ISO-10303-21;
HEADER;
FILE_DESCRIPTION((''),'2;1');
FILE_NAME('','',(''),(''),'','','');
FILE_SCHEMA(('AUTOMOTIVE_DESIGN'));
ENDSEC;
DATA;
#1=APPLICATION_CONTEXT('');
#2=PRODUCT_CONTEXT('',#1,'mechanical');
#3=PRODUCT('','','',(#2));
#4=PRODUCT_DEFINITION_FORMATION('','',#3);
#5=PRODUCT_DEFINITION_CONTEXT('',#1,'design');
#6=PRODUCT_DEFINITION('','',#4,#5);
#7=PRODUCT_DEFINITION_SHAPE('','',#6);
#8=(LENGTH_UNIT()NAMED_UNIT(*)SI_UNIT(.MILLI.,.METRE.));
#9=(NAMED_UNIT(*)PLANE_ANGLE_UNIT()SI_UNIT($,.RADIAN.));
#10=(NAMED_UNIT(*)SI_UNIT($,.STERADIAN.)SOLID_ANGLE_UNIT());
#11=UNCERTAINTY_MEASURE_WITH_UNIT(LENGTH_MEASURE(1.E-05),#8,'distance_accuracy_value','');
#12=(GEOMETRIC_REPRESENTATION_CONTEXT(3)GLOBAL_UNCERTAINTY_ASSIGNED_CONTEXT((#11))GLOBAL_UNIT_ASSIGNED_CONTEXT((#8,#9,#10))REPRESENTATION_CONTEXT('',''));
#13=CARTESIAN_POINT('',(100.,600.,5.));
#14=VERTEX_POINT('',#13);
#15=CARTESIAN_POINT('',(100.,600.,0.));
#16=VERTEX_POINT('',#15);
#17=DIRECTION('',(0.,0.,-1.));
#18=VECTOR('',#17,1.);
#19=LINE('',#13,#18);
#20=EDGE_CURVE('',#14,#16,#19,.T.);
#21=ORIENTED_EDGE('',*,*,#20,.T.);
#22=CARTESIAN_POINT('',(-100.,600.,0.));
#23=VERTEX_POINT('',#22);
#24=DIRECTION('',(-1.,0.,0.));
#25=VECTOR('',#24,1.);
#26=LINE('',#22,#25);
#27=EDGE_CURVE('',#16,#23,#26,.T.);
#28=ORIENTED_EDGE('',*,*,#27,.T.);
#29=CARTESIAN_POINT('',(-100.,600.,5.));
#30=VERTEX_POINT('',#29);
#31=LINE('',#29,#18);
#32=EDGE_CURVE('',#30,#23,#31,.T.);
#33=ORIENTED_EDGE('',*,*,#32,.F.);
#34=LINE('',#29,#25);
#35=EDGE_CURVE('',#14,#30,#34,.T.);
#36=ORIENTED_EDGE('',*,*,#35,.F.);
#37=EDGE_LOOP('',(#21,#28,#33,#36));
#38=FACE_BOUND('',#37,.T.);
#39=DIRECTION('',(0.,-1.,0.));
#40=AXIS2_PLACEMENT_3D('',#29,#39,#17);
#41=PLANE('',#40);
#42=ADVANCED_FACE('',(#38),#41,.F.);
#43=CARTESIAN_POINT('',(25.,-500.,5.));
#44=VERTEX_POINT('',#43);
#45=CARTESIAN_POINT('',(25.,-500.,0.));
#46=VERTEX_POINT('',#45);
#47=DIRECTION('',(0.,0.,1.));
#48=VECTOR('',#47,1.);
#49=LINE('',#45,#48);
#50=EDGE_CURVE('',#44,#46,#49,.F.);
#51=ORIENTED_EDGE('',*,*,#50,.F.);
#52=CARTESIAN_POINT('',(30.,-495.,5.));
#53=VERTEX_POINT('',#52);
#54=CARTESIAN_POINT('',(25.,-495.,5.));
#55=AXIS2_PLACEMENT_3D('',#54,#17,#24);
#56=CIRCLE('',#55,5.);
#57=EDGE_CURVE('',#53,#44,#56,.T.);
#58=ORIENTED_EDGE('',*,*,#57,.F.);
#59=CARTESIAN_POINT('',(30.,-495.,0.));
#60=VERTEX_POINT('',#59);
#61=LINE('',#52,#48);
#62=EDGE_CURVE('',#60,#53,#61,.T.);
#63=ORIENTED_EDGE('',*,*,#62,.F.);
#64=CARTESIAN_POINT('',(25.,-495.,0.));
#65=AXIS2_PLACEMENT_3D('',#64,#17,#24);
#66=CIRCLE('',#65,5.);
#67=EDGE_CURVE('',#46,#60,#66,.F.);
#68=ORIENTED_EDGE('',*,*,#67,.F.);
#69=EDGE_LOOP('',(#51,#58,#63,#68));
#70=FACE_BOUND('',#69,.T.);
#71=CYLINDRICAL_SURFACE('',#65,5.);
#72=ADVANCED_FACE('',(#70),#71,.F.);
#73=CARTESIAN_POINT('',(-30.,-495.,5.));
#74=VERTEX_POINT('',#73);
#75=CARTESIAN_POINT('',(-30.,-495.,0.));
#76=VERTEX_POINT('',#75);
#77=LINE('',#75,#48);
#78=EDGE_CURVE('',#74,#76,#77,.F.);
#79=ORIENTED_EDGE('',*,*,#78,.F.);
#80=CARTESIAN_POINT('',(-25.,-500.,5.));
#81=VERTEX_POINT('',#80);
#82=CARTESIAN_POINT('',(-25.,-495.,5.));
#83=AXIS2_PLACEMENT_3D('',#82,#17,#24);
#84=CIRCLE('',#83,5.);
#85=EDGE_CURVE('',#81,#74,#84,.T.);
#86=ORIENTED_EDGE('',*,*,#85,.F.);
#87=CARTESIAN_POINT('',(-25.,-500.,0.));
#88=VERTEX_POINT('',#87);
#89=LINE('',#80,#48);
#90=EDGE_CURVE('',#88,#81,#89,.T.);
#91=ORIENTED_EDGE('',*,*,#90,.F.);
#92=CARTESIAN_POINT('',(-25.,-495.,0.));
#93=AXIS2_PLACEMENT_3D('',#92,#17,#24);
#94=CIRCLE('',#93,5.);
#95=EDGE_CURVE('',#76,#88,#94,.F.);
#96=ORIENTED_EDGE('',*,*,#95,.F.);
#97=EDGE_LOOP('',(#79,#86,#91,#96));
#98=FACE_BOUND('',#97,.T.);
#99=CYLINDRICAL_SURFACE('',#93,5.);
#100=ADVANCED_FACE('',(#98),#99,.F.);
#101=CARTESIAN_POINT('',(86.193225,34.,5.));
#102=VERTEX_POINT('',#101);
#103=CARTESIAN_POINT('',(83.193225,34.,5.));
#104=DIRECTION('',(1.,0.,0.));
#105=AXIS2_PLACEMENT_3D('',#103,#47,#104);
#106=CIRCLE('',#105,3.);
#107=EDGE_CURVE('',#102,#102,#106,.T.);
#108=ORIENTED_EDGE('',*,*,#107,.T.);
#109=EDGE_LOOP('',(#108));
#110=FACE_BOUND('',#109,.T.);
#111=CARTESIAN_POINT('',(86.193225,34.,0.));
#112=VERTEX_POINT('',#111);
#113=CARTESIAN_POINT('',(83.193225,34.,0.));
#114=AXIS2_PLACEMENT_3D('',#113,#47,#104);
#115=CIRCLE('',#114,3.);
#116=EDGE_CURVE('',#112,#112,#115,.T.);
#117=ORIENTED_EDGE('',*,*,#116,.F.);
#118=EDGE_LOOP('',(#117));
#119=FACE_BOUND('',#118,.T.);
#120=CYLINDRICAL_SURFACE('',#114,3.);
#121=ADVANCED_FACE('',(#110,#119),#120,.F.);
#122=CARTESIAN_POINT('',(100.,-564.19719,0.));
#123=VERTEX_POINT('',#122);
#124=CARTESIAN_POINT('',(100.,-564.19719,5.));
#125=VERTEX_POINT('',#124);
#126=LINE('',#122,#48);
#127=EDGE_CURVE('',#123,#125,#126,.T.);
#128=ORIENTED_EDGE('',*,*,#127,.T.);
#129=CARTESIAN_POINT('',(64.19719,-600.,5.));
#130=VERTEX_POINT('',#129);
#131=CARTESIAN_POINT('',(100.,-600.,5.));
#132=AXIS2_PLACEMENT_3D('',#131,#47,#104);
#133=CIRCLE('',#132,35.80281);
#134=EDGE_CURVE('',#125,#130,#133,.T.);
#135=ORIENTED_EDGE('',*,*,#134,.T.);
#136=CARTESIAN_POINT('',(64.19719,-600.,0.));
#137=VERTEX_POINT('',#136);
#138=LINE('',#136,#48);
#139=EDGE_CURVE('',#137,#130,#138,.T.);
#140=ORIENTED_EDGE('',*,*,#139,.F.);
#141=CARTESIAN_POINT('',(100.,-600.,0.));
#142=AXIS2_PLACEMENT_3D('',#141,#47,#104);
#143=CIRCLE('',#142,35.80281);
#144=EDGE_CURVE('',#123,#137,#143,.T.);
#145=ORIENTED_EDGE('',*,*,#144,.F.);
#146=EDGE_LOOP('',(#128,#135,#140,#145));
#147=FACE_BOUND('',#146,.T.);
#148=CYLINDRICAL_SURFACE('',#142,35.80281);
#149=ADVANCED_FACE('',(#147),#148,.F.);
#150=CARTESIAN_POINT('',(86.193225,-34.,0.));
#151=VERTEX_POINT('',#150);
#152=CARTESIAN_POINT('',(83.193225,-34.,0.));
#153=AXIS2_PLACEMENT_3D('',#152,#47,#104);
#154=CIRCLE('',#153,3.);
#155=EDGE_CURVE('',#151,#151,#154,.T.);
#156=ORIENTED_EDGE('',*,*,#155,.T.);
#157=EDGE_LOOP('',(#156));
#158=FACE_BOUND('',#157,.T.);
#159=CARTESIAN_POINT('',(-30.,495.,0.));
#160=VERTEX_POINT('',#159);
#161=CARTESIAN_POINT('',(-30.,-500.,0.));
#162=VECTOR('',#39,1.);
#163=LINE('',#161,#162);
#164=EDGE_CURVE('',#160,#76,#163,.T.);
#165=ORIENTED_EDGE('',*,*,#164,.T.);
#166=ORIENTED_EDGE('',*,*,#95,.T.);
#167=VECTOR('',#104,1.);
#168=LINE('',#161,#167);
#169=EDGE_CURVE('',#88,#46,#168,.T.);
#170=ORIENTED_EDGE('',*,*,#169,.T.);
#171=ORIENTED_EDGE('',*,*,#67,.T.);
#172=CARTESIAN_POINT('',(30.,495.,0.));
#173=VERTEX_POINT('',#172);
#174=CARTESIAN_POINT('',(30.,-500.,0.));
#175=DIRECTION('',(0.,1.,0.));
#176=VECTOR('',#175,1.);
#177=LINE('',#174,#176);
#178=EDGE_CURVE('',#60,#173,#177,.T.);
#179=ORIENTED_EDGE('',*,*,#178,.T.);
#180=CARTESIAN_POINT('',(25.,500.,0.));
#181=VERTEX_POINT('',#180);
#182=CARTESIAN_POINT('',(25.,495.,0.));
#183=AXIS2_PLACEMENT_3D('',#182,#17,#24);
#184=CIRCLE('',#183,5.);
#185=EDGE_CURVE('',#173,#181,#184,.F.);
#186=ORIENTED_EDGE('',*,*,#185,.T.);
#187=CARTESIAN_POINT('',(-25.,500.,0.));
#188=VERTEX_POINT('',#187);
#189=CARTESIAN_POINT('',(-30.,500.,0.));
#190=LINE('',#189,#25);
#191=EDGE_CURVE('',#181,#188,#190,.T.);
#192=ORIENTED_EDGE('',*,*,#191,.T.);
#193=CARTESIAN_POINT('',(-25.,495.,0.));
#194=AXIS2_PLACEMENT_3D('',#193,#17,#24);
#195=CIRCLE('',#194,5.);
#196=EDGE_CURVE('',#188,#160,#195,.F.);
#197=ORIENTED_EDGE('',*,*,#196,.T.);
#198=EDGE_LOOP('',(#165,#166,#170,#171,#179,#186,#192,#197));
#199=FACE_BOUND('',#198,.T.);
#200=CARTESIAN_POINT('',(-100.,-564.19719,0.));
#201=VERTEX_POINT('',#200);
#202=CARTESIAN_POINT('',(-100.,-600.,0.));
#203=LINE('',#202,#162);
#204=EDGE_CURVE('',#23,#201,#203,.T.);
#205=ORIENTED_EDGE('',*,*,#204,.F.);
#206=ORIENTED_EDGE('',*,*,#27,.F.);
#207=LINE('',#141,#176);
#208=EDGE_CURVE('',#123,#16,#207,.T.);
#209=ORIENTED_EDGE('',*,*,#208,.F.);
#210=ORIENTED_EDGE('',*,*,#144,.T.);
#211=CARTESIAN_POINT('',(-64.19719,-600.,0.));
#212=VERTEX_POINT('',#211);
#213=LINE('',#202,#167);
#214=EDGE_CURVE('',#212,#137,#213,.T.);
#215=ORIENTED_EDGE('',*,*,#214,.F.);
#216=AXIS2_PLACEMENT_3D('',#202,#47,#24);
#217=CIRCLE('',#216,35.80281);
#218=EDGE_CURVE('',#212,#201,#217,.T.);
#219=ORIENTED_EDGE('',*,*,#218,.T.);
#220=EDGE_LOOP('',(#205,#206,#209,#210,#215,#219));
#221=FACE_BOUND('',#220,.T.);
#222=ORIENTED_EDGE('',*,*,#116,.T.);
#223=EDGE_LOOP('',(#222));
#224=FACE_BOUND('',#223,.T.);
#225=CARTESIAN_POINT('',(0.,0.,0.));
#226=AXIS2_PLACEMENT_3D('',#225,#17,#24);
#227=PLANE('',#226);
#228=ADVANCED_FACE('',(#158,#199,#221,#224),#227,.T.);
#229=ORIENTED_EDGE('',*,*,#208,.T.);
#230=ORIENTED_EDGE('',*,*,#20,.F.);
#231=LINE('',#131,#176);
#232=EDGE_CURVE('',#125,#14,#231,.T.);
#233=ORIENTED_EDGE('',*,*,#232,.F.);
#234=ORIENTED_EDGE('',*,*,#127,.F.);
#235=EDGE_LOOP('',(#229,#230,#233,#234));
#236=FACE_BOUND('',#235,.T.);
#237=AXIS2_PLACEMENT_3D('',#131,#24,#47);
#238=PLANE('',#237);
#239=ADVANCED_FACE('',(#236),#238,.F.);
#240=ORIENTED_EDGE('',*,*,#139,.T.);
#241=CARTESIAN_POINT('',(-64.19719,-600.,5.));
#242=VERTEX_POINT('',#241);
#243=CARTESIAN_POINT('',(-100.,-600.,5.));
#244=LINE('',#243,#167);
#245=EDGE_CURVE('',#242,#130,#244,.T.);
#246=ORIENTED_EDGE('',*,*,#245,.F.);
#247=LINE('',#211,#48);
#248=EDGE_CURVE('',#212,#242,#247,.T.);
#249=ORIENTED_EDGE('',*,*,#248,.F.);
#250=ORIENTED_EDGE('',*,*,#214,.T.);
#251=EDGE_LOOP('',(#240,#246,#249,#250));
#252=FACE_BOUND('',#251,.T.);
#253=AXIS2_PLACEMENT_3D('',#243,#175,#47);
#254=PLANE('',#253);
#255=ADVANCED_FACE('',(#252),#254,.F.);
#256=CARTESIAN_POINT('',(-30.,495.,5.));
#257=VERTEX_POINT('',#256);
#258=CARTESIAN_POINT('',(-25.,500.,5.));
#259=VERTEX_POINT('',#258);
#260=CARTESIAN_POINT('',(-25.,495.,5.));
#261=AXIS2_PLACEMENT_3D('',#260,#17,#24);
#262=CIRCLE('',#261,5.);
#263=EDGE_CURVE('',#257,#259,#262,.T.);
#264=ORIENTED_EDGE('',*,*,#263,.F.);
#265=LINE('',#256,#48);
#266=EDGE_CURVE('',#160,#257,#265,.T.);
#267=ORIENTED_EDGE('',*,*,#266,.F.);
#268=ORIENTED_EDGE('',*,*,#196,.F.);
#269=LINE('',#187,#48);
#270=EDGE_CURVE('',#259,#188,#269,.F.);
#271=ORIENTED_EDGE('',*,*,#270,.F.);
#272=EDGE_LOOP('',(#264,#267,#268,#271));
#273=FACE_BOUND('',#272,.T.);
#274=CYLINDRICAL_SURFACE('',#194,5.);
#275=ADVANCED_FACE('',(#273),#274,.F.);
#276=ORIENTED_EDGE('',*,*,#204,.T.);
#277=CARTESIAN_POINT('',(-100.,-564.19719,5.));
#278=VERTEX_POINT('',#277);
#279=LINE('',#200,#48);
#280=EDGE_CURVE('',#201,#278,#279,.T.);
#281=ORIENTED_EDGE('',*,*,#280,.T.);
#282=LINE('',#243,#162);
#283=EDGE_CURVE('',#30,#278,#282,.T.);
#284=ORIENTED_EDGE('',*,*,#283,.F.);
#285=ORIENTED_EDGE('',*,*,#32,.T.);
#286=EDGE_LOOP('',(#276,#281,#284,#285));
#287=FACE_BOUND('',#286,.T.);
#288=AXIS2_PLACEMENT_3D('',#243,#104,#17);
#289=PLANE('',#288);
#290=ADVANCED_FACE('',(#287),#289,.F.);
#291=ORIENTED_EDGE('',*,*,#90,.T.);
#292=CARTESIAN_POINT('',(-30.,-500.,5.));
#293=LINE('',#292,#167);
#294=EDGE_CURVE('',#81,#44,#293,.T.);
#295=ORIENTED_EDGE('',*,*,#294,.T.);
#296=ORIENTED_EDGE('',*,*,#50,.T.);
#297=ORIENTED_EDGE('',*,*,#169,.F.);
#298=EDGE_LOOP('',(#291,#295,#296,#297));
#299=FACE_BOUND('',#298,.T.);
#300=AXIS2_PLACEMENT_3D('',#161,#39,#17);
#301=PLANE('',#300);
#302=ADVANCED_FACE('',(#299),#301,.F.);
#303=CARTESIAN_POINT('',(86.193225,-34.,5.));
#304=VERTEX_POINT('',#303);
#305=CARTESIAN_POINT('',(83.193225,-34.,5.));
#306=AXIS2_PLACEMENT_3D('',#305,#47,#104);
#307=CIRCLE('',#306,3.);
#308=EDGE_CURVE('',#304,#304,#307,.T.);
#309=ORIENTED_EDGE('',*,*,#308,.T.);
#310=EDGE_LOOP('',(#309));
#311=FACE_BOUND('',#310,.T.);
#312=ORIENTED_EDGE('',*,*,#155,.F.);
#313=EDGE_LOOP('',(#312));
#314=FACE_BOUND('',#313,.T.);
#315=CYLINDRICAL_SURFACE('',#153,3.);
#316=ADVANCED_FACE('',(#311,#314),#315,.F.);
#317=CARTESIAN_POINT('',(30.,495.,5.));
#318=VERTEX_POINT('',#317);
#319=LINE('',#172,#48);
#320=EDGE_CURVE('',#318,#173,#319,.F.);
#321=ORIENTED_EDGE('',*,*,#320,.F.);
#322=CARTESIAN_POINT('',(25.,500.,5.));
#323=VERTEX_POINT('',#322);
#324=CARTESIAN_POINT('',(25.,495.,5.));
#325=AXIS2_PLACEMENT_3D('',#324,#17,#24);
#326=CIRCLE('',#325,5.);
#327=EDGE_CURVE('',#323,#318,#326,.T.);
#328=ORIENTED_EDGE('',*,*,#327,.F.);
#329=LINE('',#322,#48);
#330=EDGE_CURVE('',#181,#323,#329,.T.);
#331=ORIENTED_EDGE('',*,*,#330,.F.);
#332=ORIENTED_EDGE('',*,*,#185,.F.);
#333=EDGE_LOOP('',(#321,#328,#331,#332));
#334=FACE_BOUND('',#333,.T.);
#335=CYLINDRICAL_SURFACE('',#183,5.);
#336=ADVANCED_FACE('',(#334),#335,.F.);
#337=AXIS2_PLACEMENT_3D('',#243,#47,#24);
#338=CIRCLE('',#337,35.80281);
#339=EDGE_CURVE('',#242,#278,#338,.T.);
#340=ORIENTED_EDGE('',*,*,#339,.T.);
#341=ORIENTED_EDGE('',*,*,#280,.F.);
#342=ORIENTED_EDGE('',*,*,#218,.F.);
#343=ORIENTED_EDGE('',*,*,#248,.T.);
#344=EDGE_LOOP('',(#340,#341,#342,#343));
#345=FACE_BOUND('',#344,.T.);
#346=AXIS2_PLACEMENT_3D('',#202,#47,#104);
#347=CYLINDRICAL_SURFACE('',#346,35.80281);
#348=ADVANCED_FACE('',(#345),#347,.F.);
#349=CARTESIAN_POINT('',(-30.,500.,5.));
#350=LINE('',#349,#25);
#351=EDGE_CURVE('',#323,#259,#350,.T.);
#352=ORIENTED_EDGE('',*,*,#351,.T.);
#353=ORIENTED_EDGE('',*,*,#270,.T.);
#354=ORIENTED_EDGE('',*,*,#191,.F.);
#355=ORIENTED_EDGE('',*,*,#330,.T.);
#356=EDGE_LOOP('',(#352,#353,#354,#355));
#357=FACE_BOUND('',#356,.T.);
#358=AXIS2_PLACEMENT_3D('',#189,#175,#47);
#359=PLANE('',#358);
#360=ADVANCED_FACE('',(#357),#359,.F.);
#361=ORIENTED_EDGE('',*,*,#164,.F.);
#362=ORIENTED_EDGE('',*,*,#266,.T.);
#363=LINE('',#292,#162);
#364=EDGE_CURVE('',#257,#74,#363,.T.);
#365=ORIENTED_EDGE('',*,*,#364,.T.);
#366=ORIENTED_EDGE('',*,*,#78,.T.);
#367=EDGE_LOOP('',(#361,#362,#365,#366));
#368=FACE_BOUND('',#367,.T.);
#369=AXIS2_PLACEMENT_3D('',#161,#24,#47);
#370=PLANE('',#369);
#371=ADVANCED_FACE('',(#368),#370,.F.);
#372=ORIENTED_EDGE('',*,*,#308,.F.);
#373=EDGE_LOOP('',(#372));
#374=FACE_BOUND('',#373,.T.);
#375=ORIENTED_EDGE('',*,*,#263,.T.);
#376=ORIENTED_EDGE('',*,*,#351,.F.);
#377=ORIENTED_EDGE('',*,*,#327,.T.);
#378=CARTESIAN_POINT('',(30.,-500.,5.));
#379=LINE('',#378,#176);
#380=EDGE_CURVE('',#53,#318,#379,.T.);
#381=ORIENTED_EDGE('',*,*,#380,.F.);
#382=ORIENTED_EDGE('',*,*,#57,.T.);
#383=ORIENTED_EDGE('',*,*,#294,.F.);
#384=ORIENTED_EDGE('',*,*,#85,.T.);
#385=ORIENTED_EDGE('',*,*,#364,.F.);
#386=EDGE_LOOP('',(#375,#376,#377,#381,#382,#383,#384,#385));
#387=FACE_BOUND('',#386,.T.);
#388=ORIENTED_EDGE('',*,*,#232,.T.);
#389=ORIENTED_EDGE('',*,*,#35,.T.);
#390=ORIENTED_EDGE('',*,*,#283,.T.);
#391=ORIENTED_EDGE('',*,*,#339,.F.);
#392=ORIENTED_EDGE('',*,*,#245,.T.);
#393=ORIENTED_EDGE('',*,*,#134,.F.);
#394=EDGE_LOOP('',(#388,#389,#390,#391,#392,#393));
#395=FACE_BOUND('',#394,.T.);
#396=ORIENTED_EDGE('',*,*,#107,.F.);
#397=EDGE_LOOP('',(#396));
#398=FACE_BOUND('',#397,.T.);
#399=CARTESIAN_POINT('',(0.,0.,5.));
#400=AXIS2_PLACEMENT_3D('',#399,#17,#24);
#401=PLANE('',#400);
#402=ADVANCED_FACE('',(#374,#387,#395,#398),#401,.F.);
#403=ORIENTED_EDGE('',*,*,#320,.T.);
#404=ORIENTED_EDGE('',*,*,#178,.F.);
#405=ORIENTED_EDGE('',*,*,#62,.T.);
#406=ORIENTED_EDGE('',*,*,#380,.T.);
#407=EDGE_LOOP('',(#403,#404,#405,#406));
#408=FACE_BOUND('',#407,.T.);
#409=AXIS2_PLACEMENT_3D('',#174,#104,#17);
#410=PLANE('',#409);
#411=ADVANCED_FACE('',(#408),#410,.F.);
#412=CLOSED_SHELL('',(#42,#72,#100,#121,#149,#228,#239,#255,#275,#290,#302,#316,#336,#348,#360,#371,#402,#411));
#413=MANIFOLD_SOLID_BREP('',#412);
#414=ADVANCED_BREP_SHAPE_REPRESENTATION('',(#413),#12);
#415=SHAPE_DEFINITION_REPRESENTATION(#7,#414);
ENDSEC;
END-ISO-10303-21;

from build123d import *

# Parameters (mm, degrees)
SKETCH1_W           = 200
SKETCH1_H           = 1200
BOSS_EXTRUDE1_DEPTH = 5
CUT_EXTRUDE1_DEPTH  = 609.296802556
SKETCH5_W           = 60
SKETCH5_H           = 1000
CUT_EXTRUDE3_DEPTH  = 609.296802556
FILLET2_R           = 5
SKETCH6_R           = 3
CUT_EXTRUDE4_DEPTH  = 609.296802556


with BuildPart() as part:
    # Sketch1 → Boss-Extrude1 (new body)
    with BuildSketch(Plane.XY):
        Rectangle(SKETCH1_W, SKETCH1_H)
    extrude(amount=BOSS_EXTRUDE1_DEPTH)

    # Sketch3 → Cut-Extrude1 (cut, through all)
    with BuildSketch(Plane.XY.offset(5)):
        with BuildLine():
            Line((-100, -600), (-100, -564.197190266))
            ThreePointArc((-100, -564.197190266), (-74.683590452, -574.683590452), (-64.197190266, -600))
            Line((-64.197190266, -600), (-100, -600))
        make_face()
        with BuildLine():
            Line((64.197190266, -600), (100, -600))
            Line((100, -600), (100, -564.197190266))
            ThreePointArc((100, -564.197190266), (74.683590452, -574.683590452), (64.197190266, -600))
        make_face()
    extrude(amount=-CUT_EXTRUDE1_DEPTH, mode=Mode.SUBTRACT)

    # Sketch5 → Cut-Extrude3 (cut, through all)
    with BuildSketch(Plane.XY.offset(5)):
        Rectangle(SKETCH5_W, SKETCH5_H)
    extrude(amount=-CUT_EXTRUDE3_DEPTH, mode=Mode.SUBTRACT)

    # Fillet2
    fillet2_edges = [part.edges().sort_by_distance(p)[0] for p in [
        (30, 500, 2.5),
        (30, -500, 2.5),
        (-30, -500, 2.5),
        (-30, 500, 2.5),
    ]]
    fillet(fillet2_edges, radius=FILLET2_R)

    # Sketch6 → Cut-Extrude4 (cut, through all)
    with BuildSketch(Plane.XY.offset(5)):
        with Locations((83.193225438, -34)):
            Circle(SKETCH6_R)
        with Locations((83.193225438, 34)):
            Circle(SKETCH6_R)
    extrude(amount=-CUT_EXTRUDE4_DEPTH, mode=Mode.SUBTRACT)


solid = part.part
